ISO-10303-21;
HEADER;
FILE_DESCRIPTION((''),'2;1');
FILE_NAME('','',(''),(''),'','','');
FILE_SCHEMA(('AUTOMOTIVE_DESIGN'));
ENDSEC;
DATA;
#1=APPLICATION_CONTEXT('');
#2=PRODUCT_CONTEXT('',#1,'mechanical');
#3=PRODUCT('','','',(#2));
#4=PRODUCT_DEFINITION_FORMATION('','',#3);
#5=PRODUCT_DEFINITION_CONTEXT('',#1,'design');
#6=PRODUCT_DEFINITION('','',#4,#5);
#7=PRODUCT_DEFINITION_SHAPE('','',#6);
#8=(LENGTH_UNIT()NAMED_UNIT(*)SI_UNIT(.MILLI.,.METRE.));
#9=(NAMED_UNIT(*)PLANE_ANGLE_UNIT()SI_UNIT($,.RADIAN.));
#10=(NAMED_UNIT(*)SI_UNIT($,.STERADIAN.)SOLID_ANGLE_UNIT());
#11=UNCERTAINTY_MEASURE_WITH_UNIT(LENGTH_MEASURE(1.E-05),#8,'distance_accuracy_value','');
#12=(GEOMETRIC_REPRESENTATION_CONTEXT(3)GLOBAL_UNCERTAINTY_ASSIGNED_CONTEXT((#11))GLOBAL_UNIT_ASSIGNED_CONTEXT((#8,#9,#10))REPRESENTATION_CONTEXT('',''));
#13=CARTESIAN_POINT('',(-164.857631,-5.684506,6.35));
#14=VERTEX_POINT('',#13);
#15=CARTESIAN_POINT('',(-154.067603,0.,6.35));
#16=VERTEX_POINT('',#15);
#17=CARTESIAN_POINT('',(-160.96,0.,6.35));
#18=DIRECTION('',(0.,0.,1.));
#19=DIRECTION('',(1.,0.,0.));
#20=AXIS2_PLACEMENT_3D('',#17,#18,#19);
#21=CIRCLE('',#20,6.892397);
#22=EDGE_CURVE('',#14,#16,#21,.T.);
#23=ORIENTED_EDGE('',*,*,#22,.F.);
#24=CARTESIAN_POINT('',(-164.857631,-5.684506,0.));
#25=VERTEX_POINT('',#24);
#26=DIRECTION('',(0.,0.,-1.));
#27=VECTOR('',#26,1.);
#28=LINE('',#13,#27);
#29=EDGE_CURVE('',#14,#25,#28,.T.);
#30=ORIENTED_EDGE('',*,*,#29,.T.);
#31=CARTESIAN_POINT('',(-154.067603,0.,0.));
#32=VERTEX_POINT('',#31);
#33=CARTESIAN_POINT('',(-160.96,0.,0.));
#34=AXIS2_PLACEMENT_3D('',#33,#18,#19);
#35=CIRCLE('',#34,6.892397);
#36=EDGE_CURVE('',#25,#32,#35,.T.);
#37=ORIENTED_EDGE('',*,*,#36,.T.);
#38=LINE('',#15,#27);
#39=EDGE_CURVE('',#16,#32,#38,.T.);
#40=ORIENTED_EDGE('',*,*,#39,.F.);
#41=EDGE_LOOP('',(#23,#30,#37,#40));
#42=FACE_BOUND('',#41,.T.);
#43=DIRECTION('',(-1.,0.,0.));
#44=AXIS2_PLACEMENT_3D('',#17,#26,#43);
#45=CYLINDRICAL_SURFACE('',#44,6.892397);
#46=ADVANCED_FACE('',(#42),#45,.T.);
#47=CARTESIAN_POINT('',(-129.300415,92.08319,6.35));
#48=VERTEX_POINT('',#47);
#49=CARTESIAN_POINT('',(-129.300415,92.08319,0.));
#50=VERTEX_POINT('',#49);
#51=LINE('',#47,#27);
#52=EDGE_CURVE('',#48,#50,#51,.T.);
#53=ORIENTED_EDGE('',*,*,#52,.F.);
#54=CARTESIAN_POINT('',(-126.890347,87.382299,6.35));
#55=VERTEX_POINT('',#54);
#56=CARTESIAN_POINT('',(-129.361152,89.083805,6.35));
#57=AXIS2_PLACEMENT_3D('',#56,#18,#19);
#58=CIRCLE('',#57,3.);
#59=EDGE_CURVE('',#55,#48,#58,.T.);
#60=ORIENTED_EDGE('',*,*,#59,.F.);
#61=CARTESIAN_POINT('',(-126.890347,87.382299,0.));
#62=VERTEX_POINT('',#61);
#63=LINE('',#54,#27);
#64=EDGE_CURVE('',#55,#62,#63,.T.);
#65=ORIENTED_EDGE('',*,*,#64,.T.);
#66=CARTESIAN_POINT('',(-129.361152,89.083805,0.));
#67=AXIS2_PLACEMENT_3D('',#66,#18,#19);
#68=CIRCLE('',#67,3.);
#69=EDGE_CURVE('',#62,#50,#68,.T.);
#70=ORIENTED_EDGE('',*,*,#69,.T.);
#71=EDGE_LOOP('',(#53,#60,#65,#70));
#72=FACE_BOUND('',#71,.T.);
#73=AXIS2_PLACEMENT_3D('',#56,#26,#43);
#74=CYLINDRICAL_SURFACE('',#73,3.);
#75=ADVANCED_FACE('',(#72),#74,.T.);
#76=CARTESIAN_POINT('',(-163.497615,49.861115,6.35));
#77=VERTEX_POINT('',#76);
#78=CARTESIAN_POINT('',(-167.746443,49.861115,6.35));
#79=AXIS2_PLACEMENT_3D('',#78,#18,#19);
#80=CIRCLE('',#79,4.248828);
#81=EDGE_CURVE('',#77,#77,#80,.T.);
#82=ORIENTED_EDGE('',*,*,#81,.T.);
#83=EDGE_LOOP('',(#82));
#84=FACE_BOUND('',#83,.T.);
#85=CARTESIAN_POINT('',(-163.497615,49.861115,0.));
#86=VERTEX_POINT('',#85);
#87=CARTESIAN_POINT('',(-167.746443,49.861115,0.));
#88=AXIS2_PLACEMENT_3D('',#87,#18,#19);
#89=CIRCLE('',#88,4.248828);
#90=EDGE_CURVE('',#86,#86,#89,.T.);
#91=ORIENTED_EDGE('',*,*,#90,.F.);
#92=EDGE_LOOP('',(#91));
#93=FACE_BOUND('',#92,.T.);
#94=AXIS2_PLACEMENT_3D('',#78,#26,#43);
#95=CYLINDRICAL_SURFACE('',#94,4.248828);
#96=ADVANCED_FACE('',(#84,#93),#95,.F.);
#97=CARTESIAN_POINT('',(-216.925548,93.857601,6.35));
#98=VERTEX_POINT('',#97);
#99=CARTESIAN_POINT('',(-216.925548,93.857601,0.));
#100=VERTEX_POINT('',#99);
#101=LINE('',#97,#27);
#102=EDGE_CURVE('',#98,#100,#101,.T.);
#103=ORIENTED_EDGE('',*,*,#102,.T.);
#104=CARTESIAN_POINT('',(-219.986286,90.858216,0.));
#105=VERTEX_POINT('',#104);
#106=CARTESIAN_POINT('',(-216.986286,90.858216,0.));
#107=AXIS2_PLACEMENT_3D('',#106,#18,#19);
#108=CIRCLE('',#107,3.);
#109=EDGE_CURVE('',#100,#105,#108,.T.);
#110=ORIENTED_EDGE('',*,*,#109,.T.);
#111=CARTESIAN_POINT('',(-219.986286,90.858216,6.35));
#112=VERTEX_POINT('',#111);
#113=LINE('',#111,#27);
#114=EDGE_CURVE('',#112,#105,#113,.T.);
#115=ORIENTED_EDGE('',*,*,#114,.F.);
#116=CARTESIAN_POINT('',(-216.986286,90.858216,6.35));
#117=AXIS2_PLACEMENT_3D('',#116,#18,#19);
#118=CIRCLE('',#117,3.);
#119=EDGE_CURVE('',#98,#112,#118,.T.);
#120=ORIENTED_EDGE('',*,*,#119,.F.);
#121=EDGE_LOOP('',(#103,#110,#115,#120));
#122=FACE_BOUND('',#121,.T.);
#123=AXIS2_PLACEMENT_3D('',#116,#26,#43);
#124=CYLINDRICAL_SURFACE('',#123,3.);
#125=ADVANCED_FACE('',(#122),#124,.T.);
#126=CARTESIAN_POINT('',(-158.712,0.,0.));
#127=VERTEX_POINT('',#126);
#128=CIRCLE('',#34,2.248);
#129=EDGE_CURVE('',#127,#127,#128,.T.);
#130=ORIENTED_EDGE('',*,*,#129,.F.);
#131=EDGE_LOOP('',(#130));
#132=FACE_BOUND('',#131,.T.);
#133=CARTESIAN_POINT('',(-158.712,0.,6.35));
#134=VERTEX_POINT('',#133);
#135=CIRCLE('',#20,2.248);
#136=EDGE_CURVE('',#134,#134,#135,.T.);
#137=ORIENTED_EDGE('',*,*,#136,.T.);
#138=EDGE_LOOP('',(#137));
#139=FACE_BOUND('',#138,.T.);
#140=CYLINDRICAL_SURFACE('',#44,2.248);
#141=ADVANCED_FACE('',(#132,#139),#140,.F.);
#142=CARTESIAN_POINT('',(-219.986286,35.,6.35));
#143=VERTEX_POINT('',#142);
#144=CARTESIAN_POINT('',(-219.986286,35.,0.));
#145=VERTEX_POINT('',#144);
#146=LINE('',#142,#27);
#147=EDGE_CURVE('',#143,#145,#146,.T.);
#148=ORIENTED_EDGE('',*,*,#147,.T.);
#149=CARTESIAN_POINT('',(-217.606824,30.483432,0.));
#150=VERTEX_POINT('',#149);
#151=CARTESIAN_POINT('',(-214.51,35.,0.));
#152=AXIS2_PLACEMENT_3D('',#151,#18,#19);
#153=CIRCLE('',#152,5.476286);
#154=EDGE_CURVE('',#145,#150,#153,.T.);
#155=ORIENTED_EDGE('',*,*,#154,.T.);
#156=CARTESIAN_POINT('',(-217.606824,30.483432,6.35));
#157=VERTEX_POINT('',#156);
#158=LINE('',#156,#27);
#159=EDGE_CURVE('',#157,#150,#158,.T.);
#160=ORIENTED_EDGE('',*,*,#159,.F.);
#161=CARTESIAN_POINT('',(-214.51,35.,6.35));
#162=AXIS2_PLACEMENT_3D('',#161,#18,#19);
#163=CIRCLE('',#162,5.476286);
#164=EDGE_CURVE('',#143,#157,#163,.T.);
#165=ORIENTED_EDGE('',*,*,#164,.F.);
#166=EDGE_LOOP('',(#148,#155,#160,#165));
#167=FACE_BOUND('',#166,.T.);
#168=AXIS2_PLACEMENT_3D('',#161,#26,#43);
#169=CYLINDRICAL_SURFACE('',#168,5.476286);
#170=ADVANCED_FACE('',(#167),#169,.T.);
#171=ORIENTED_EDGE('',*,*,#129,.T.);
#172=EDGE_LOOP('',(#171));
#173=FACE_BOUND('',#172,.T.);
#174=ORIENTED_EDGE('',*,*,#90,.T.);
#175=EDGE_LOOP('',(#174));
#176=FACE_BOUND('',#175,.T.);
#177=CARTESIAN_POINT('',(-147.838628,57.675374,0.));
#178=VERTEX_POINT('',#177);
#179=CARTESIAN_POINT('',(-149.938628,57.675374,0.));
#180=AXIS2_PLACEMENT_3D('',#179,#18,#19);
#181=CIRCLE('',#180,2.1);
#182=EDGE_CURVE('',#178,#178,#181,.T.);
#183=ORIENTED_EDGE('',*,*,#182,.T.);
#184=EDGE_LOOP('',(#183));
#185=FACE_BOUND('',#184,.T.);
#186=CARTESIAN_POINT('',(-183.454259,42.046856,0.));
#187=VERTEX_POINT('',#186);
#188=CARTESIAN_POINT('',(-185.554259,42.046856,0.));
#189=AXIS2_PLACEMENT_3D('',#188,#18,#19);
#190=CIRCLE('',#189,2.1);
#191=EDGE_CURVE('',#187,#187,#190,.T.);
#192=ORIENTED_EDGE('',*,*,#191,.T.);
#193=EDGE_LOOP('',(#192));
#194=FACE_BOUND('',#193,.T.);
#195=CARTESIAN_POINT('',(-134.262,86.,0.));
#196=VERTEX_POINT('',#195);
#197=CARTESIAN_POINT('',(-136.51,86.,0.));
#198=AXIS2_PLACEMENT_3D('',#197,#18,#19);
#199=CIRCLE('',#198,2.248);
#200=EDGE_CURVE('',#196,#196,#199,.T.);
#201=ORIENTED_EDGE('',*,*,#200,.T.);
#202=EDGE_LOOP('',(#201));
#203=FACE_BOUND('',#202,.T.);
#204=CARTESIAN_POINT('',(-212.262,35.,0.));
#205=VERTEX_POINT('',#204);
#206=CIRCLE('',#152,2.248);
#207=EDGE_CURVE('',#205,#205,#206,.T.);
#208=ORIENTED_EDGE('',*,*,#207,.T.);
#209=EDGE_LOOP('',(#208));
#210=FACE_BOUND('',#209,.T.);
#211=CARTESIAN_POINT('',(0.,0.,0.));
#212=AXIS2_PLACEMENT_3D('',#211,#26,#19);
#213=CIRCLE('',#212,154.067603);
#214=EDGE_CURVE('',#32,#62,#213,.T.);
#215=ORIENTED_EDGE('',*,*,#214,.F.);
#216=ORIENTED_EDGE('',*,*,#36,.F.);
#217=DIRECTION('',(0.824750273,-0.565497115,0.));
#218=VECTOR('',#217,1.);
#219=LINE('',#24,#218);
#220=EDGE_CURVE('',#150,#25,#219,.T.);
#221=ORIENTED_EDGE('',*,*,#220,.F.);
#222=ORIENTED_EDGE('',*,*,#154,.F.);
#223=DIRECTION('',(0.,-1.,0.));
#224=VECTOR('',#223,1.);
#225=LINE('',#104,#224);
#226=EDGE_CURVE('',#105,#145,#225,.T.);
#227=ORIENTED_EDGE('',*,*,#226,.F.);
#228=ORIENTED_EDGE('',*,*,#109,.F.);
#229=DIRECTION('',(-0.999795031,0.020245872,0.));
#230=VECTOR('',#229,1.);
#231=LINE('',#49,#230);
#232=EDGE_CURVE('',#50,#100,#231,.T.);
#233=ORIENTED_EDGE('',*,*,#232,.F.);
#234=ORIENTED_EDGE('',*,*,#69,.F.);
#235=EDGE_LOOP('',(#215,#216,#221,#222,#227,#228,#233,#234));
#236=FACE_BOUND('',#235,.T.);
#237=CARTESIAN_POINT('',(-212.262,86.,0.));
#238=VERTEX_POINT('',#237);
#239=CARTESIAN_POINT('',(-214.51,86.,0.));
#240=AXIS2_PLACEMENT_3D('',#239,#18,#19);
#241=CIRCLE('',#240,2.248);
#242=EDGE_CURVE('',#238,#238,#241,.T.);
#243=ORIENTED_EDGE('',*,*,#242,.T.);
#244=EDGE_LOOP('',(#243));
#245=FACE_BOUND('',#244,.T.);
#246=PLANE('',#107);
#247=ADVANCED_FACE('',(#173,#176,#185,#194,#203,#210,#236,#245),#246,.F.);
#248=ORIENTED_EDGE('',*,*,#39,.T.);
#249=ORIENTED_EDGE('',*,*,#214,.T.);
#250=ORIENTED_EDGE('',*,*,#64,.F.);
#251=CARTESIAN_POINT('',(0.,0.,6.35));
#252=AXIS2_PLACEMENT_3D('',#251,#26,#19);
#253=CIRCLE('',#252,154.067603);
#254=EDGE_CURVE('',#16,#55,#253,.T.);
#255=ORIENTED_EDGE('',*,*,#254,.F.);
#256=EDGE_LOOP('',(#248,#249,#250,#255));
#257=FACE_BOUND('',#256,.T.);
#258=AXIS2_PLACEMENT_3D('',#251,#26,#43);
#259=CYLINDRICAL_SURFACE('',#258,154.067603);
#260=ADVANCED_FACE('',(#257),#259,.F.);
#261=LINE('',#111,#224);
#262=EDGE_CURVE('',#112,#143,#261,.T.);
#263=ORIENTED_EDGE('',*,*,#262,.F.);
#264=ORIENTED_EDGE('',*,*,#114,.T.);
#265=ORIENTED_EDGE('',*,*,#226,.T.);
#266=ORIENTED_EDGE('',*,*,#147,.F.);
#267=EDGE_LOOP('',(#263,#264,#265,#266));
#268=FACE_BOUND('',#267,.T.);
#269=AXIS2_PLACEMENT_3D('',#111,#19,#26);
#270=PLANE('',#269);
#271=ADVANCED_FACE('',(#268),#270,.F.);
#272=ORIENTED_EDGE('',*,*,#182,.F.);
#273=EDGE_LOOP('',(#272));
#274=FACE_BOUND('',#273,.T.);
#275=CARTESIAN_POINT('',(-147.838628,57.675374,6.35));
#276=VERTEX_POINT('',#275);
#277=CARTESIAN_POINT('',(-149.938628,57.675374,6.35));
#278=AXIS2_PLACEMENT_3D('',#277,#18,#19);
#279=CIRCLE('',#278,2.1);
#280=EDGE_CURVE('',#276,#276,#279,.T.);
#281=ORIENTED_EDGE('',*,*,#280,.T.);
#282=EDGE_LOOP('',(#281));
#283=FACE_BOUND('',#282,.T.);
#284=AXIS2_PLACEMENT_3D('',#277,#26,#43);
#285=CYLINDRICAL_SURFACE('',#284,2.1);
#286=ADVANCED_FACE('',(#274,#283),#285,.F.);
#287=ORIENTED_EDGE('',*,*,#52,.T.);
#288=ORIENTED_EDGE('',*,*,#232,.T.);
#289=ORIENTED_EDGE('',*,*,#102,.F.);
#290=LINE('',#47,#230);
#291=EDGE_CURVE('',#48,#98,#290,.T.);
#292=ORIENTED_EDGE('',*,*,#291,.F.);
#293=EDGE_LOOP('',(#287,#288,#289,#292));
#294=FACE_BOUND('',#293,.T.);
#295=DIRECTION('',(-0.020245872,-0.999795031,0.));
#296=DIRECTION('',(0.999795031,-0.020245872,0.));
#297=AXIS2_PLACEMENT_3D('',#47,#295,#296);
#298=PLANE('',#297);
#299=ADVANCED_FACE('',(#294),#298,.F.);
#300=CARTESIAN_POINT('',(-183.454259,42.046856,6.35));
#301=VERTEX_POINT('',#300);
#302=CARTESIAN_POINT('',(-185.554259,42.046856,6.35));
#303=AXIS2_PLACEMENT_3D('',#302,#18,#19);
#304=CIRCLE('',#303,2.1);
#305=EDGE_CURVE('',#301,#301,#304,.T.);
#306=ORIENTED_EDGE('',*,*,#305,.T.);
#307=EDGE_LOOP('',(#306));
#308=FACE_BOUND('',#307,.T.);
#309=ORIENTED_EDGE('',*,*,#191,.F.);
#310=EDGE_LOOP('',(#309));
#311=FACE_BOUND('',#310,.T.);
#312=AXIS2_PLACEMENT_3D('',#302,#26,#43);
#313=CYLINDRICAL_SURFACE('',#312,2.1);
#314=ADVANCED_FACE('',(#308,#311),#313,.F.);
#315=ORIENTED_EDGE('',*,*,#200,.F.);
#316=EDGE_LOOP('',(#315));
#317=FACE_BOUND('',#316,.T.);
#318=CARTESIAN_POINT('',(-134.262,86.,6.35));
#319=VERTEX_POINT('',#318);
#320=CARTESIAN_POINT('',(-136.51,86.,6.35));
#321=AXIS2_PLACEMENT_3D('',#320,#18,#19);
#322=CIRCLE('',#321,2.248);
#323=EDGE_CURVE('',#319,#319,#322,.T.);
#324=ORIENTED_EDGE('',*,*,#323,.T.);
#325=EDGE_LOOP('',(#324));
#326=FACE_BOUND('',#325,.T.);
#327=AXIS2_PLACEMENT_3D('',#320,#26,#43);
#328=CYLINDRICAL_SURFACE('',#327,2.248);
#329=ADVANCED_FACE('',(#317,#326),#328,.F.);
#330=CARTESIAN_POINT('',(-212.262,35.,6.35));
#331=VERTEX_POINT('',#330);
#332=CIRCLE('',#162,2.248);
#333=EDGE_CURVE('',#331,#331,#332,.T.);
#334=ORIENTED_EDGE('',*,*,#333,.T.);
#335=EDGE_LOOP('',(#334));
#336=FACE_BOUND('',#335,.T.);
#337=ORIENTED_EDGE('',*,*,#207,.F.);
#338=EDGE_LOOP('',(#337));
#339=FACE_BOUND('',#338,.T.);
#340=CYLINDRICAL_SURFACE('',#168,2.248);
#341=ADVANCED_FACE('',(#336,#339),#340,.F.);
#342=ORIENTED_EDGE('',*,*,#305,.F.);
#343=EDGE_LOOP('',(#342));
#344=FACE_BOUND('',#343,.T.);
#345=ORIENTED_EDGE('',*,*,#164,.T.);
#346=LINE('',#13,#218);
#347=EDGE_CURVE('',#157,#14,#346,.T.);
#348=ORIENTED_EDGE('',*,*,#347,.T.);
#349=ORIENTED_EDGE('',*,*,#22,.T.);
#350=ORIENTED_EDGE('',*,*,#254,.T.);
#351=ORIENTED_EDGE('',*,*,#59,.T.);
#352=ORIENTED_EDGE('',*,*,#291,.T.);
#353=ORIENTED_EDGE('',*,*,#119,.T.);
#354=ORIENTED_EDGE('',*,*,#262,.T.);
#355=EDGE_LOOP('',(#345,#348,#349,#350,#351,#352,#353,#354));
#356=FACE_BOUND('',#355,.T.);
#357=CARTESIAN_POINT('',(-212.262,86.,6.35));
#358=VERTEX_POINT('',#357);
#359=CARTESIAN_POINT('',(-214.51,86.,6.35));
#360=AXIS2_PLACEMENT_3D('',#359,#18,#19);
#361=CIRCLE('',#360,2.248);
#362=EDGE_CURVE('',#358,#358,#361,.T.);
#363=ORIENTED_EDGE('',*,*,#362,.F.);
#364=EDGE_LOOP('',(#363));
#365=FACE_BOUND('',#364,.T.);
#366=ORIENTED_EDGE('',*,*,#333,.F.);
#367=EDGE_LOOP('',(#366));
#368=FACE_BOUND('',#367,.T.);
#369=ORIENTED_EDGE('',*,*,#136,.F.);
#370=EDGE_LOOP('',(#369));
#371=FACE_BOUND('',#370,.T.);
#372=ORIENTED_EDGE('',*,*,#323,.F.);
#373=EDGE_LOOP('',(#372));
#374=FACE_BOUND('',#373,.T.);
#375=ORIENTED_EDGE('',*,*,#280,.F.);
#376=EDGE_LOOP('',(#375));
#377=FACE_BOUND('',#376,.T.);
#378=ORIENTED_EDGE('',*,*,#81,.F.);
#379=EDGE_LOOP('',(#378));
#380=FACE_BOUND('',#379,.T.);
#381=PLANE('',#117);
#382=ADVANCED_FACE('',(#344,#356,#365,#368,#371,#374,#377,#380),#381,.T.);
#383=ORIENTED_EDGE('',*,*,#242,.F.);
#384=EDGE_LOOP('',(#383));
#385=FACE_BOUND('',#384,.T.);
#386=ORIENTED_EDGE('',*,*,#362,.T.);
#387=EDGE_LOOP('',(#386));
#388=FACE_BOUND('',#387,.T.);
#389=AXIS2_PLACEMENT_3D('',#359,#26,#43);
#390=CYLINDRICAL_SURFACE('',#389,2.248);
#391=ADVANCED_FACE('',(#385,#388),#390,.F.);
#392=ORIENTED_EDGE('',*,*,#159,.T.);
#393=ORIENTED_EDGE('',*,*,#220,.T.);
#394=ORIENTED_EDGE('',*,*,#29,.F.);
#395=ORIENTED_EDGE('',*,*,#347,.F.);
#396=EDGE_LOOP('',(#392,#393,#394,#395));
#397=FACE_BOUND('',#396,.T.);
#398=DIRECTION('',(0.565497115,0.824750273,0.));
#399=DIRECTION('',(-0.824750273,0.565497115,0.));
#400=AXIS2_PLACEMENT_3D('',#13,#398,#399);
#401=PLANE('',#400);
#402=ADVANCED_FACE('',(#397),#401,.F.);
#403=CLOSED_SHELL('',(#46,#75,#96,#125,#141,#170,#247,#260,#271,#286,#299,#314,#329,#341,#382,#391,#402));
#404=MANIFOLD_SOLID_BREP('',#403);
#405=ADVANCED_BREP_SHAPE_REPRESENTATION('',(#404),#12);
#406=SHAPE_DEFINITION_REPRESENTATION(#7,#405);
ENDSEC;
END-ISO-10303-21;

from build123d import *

# Parameters (mm, degrees)
SKETCH1_R           = 2.1
SKETCH1_R_2         = 4.248828393
SKETCH1_R_3         = 2.248
BOSS_EXTRUDE1_DEPTH = 6.35


with BuildPart() as part:
    # Sketch1 → Boss-Extrude1 (new body)
    with BuildSketch(Plane.XY):
        with BuildLine():
            Line((-164.857630571, -5.684506245), (-217.606823936, 30.483431618))
            ThreePointArc((-217.606823936, 30.483431618), (-219.355038804, 32.447489975), (-219.986286008, 35))
            Line((-219.986286008, 35), (-219.986286008, 90.85821565))
            ThreePointArc((-219.986286008, 90.85821565), (-219.086022557, 93.00090238), (-216.925548391, 93.857600744))
            Line((-216.925548391, 93.857600744), (-129.300414508, 92.083189784))
            ThreePointArc((-129.300414508, 92.083189784), (-126.69155089, 90.452464344), (-126.890346887, 87.38229904))
            ThreePointArc((-126.890346887, 87.38229904), (-147.116480921, 45.755517262), (-154.067603079, 0))
            ThreePointArc((-154.067603079, 0), (-157.747437287, -6.09791572), (-164.857630571, -5.684506245))
        make_face()
        with Locations((-185.554258914, 42.046855659)):
            Circle(SKETCH1_R, mode=Mode.SUBTRACT)
        with Locations((-149.938627555, 57.675374206)):
            Circle(SKETCH1_R, mode=Mode.SUBTRACT)
        with Locations((-167.746443234, 49.861114932)):
            Circle(SKETCH1_R_2, mode=Mode.SUBTRACT)
        with Locations((-214.51, 86)):
            Circle(SKETCH1_R_3, mode=Mode.SUBTRACT)
        with Locations((-214.51, 35)):
            Circle(SKETCH1_R_3, mode=Mode.SUBTRACT)
        with Locations((-136.51, 86)):
            Circle(SKETCH1_R_3, mode=Mode.SUBTRACT)
        with Locations((-160.96, 0)):
            Circle(SKETCH1_R_3, mode=Mode.SUBTRACT)
    extrude(amount=BOSS_EXTRUDE1_DEPTH)


solid = part.part
